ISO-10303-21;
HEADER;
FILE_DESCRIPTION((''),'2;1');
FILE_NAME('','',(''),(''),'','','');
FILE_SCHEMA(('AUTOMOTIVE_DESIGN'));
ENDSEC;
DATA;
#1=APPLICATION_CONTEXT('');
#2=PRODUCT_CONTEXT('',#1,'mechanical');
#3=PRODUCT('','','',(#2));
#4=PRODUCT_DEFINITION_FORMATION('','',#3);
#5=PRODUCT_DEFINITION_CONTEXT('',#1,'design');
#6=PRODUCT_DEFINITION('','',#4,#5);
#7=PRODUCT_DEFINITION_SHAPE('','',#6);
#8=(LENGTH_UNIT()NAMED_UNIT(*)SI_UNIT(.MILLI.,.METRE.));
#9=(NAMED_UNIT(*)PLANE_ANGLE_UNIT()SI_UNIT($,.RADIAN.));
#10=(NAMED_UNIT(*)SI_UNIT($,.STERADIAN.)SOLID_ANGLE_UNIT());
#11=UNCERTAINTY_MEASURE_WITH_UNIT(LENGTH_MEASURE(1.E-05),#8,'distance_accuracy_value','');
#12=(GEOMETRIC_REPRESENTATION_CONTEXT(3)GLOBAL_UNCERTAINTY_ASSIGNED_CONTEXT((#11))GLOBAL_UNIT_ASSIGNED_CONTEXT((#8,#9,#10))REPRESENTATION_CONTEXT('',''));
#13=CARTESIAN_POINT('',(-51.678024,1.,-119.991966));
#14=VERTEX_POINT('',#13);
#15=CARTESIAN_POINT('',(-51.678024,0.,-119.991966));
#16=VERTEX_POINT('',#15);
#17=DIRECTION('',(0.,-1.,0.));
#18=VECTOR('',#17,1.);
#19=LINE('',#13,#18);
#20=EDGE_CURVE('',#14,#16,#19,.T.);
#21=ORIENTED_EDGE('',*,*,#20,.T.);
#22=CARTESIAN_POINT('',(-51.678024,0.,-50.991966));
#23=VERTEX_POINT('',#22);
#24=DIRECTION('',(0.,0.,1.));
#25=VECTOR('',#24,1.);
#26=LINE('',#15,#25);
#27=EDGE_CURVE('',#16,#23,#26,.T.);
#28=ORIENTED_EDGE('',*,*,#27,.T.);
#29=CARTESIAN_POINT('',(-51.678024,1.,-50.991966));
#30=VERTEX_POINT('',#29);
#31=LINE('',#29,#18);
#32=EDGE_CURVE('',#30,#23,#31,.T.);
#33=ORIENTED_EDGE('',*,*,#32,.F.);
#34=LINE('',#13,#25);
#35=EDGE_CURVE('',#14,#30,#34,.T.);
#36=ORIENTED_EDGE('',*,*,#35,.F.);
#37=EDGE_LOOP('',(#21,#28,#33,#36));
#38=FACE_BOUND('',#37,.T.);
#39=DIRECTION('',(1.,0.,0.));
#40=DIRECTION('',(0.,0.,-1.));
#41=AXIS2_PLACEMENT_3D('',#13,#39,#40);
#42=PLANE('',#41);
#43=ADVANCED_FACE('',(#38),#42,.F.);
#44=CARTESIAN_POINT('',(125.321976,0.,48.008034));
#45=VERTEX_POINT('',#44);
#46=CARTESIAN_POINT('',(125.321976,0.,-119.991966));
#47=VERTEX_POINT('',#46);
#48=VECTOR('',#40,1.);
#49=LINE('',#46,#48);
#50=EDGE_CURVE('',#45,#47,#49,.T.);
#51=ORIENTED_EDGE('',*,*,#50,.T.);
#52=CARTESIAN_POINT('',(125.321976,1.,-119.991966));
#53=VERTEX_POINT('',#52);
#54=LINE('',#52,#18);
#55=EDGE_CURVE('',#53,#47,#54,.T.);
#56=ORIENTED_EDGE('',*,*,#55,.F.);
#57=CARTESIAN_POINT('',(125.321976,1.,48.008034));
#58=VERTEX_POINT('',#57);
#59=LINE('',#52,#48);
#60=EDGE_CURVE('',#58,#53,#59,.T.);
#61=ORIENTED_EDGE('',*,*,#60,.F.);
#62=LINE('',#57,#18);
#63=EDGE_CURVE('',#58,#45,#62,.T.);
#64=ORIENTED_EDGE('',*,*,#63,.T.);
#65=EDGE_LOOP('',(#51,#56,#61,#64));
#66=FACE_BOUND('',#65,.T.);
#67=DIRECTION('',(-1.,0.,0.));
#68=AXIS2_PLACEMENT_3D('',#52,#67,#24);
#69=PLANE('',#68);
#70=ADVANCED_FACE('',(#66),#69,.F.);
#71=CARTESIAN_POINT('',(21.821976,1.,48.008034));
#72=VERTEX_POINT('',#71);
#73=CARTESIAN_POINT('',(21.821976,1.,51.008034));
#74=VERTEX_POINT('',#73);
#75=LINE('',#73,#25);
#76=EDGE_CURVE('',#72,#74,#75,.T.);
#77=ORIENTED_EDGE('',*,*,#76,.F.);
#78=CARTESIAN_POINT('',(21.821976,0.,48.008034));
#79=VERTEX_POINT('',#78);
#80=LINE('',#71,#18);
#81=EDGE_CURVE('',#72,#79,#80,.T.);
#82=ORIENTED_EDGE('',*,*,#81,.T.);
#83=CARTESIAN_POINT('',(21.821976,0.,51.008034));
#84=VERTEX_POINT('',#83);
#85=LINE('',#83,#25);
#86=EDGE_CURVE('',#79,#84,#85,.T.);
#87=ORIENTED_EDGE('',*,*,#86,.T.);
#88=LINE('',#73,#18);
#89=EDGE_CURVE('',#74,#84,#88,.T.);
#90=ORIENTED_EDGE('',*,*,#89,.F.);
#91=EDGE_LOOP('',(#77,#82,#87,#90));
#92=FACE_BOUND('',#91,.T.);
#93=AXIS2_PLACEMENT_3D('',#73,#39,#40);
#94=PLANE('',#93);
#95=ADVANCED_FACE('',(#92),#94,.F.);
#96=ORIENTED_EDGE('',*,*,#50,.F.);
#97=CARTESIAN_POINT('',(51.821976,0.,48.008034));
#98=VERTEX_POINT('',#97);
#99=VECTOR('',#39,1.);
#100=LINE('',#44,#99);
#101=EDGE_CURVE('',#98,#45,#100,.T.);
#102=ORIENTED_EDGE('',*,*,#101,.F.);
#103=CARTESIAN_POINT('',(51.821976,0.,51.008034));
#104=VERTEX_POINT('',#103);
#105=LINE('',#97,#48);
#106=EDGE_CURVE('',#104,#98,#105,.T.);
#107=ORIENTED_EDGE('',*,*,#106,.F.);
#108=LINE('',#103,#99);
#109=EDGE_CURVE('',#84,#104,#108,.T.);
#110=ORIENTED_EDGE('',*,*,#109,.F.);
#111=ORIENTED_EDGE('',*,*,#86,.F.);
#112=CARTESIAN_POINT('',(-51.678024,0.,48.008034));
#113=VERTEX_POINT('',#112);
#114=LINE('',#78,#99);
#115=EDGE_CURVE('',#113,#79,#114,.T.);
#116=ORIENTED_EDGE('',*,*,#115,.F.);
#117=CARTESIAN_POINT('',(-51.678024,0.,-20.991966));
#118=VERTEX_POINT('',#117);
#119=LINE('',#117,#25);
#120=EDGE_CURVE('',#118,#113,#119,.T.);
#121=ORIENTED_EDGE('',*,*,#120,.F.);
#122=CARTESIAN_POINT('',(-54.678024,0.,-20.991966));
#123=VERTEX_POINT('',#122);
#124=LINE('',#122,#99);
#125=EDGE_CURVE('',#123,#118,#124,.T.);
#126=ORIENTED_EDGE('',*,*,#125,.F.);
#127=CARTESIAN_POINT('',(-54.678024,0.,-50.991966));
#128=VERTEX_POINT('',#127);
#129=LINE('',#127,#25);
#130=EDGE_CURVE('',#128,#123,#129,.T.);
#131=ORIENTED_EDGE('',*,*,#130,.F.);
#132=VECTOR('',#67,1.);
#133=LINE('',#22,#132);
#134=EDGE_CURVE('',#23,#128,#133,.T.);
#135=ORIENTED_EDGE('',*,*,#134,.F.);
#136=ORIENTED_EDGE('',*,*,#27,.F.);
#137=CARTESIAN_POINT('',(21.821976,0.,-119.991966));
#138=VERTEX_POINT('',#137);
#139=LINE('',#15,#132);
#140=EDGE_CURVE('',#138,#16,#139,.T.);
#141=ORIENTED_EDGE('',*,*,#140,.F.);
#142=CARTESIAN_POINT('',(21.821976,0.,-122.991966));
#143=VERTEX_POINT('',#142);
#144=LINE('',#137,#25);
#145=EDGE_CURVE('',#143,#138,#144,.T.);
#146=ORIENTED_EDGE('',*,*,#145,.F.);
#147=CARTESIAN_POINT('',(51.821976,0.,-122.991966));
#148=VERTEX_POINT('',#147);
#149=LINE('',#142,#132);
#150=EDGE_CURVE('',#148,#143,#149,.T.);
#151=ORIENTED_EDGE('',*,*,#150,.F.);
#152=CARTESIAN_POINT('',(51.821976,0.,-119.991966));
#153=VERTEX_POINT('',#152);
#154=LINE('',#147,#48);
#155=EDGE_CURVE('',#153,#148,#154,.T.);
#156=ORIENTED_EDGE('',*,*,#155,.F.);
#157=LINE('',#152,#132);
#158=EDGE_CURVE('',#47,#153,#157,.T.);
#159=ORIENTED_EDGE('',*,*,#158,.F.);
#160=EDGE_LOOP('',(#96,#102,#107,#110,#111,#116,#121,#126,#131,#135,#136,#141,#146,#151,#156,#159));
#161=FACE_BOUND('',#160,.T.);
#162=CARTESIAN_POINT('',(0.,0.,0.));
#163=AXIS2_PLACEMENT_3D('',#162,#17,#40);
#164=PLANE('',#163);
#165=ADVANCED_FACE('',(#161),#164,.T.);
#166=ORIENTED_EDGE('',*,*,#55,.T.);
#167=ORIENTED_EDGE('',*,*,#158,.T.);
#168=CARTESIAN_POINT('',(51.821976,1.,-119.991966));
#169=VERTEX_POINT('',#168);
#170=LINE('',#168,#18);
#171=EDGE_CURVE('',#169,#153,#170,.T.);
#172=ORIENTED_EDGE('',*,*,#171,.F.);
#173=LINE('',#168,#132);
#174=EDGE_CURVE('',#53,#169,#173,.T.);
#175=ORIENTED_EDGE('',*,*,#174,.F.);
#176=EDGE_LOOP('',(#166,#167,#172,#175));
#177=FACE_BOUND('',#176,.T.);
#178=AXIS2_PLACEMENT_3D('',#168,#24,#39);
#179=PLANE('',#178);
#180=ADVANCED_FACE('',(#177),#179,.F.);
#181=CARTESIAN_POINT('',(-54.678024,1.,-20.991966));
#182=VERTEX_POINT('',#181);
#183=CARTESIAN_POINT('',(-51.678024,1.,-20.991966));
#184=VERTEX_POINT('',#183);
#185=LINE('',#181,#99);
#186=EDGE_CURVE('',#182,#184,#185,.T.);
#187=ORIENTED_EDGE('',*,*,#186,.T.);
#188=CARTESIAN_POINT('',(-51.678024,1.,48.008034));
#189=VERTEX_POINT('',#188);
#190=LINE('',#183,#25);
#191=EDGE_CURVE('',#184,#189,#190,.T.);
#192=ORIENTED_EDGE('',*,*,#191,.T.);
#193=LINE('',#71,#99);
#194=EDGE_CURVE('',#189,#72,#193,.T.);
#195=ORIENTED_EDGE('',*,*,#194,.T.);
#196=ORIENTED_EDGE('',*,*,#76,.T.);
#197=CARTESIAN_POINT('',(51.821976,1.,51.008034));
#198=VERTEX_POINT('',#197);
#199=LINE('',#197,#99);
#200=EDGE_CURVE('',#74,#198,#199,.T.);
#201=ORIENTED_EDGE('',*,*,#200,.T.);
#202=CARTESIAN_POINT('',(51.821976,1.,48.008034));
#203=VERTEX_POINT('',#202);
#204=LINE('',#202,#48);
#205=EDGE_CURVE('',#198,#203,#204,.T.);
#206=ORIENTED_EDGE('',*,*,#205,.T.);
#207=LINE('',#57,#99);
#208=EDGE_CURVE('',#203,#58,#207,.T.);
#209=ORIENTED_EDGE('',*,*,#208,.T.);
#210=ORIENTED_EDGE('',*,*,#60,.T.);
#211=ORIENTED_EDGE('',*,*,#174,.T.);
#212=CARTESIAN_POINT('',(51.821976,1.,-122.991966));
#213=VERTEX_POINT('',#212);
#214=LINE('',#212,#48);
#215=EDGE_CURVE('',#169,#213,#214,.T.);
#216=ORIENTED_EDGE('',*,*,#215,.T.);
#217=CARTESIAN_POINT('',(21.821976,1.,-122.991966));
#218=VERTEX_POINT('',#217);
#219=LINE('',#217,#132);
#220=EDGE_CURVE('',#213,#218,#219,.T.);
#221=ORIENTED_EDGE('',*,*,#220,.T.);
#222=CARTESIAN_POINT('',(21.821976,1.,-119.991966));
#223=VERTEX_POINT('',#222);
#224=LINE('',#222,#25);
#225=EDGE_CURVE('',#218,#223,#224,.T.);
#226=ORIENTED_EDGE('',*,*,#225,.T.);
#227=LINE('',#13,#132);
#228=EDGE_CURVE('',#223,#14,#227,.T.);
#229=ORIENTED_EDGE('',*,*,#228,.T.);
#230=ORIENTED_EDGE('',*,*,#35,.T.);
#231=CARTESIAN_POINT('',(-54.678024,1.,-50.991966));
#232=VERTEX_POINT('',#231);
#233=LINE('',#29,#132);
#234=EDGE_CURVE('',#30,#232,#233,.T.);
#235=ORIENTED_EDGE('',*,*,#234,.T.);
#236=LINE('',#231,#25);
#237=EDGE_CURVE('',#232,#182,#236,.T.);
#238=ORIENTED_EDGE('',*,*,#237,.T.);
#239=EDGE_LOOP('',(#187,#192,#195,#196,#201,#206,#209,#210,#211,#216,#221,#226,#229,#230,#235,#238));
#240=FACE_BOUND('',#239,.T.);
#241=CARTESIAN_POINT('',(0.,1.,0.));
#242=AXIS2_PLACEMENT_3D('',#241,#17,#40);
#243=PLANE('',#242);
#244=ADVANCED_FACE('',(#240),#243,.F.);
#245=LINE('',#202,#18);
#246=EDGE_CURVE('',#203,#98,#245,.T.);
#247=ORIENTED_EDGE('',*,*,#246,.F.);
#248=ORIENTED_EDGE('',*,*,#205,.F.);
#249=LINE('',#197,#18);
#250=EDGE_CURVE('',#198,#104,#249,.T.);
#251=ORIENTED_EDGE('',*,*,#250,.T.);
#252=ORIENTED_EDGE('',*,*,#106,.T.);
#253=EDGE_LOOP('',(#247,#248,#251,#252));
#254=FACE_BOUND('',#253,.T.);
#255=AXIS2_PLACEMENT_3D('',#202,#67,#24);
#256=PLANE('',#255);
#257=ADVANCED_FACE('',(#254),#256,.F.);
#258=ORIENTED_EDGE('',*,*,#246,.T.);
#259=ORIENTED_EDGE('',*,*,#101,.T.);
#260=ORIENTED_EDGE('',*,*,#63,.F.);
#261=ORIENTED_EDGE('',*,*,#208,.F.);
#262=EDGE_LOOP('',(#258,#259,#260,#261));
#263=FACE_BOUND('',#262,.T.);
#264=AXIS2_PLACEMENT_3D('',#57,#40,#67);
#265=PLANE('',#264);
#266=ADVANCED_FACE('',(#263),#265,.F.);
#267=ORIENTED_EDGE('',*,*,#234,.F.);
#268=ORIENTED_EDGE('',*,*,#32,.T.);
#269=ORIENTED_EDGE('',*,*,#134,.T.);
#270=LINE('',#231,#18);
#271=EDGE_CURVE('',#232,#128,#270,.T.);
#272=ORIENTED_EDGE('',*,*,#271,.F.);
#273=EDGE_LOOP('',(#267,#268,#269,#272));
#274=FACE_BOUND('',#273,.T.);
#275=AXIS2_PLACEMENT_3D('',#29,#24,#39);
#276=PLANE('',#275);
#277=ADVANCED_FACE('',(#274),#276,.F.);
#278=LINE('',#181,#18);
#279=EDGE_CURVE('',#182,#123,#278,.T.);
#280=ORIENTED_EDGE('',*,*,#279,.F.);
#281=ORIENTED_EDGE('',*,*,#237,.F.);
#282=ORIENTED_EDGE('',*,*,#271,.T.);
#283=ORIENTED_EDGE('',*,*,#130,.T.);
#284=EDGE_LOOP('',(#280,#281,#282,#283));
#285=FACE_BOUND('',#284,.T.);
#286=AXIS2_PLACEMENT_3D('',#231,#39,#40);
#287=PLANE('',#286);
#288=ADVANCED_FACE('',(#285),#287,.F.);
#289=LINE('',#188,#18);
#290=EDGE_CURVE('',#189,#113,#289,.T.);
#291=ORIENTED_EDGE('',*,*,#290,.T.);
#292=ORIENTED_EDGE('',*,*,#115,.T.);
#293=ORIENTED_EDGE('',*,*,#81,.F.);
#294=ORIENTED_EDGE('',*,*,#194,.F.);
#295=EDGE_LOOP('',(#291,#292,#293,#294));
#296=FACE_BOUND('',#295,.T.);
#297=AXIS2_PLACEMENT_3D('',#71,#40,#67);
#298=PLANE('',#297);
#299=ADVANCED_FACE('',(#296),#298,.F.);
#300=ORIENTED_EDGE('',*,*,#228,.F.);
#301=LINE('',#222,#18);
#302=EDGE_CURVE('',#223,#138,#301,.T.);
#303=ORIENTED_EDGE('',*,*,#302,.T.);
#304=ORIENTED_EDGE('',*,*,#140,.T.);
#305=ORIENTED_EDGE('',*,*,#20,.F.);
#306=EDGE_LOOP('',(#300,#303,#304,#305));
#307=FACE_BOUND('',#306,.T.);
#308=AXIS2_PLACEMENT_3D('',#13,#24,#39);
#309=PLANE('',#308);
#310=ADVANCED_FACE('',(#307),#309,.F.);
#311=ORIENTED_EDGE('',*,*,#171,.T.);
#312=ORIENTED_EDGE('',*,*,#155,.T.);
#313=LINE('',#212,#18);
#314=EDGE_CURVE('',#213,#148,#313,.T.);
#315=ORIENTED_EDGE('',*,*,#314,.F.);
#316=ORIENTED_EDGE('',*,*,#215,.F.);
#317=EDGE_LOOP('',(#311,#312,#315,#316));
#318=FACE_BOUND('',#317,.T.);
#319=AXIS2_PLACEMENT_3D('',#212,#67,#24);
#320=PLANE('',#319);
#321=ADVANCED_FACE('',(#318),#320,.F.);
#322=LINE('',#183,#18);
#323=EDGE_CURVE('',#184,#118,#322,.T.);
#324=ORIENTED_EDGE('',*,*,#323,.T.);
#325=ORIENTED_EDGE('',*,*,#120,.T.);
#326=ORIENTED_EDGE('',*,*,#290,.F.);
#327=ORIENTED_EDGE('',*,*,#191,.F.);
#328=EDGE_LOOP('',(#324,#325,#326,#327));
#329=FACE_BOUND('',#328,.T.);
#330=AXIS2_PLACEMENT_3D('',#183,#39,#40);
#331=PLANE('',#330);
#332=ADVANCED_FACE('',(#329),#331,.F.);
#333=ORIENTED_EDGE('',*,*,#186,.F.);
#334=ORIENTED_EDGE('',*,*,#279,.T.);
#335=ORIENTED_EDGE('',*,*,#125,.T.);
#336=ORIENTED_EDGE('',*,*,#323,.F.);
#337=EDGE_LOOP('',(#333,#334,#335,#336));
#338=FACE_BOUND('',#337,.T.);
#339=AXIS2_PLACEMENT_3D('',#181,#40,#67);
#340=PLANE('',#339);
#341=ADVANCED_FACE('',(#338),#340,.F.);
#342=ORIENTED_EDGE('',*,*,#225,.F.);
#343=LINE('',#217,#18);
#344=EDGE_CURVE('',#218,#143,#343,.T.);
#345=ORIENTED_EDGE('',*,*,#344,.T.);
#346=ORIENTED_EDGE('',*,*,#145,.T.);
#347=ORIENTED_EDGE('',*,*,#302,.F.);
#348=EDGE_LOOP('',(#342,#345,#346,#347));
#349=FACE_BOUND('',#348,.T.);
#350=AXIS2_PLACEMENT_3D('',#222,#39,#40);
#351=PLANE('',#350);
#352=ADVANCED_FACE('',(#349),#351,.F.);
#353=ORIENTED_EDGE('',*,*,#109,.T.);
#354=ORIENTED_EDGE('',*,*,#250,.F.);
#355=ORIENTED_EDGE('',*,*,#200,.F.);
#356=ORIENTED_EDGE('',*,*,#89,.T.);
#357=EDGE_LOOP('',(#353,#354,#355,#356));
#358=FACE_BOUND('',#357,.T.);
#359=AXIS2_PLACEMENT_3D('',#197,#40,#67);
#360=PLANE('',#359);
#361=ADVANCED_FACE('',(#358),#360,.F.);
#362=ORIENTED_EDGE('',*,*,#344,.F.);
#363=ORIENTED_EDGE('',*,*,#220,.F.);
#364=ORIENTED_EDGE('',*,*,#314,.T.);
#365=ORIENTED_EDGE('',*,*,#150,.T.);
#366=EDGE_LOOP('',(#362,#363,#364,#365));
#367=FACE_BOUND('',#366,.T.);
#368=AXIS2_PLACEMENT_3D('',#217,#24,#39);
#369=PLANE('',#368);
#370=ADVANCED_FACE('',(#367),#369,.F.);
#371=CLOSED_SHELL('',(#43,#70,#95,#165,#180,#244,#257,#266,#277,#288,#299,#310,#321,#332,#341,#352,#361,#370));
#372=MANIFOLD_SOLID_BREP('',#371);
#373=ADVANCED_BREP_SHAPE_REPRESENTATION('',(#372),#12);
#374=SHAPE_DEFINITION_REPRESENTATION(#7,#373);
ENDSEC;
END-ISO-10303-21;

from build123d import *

# Parameters (mm, degrees)
BOSS_EXTRUDE1_DEPTH = 1


with BuildPart() as part:
    # Sketch1 → Boss-Extrude1 (new body)
    with BuildSketch(Plane(origin=(0, 0, 0), x_dir=(1, 0, 0), z_dir=(0, 1, 0))):
        Polygon((-51.678024066, 119.99196612), (21.821975934, 119.99196612), (21.821975934, 122.99196612), (51.821975934, 122.99196612), (51.821975934, 119.99196612), (125.321975934, 119.99196612), (125.321975934, -48.00803388), (51.821975934, -48.00803388), (51.821975934, -51.00803388), (21.821975934, -51.00803388), (21.821975934, -48.00803388), (-51.678024066, -48.00803388), (-51.678024066, 20.99196612), (-54.678024066, 20.99196612), (-54.678024066, 50.99196612), (-51.678024066, 50.99196612), align=None)
    extrude(amount=BOSS_EXTRUDE1_DEPTH)


solid = part.part
